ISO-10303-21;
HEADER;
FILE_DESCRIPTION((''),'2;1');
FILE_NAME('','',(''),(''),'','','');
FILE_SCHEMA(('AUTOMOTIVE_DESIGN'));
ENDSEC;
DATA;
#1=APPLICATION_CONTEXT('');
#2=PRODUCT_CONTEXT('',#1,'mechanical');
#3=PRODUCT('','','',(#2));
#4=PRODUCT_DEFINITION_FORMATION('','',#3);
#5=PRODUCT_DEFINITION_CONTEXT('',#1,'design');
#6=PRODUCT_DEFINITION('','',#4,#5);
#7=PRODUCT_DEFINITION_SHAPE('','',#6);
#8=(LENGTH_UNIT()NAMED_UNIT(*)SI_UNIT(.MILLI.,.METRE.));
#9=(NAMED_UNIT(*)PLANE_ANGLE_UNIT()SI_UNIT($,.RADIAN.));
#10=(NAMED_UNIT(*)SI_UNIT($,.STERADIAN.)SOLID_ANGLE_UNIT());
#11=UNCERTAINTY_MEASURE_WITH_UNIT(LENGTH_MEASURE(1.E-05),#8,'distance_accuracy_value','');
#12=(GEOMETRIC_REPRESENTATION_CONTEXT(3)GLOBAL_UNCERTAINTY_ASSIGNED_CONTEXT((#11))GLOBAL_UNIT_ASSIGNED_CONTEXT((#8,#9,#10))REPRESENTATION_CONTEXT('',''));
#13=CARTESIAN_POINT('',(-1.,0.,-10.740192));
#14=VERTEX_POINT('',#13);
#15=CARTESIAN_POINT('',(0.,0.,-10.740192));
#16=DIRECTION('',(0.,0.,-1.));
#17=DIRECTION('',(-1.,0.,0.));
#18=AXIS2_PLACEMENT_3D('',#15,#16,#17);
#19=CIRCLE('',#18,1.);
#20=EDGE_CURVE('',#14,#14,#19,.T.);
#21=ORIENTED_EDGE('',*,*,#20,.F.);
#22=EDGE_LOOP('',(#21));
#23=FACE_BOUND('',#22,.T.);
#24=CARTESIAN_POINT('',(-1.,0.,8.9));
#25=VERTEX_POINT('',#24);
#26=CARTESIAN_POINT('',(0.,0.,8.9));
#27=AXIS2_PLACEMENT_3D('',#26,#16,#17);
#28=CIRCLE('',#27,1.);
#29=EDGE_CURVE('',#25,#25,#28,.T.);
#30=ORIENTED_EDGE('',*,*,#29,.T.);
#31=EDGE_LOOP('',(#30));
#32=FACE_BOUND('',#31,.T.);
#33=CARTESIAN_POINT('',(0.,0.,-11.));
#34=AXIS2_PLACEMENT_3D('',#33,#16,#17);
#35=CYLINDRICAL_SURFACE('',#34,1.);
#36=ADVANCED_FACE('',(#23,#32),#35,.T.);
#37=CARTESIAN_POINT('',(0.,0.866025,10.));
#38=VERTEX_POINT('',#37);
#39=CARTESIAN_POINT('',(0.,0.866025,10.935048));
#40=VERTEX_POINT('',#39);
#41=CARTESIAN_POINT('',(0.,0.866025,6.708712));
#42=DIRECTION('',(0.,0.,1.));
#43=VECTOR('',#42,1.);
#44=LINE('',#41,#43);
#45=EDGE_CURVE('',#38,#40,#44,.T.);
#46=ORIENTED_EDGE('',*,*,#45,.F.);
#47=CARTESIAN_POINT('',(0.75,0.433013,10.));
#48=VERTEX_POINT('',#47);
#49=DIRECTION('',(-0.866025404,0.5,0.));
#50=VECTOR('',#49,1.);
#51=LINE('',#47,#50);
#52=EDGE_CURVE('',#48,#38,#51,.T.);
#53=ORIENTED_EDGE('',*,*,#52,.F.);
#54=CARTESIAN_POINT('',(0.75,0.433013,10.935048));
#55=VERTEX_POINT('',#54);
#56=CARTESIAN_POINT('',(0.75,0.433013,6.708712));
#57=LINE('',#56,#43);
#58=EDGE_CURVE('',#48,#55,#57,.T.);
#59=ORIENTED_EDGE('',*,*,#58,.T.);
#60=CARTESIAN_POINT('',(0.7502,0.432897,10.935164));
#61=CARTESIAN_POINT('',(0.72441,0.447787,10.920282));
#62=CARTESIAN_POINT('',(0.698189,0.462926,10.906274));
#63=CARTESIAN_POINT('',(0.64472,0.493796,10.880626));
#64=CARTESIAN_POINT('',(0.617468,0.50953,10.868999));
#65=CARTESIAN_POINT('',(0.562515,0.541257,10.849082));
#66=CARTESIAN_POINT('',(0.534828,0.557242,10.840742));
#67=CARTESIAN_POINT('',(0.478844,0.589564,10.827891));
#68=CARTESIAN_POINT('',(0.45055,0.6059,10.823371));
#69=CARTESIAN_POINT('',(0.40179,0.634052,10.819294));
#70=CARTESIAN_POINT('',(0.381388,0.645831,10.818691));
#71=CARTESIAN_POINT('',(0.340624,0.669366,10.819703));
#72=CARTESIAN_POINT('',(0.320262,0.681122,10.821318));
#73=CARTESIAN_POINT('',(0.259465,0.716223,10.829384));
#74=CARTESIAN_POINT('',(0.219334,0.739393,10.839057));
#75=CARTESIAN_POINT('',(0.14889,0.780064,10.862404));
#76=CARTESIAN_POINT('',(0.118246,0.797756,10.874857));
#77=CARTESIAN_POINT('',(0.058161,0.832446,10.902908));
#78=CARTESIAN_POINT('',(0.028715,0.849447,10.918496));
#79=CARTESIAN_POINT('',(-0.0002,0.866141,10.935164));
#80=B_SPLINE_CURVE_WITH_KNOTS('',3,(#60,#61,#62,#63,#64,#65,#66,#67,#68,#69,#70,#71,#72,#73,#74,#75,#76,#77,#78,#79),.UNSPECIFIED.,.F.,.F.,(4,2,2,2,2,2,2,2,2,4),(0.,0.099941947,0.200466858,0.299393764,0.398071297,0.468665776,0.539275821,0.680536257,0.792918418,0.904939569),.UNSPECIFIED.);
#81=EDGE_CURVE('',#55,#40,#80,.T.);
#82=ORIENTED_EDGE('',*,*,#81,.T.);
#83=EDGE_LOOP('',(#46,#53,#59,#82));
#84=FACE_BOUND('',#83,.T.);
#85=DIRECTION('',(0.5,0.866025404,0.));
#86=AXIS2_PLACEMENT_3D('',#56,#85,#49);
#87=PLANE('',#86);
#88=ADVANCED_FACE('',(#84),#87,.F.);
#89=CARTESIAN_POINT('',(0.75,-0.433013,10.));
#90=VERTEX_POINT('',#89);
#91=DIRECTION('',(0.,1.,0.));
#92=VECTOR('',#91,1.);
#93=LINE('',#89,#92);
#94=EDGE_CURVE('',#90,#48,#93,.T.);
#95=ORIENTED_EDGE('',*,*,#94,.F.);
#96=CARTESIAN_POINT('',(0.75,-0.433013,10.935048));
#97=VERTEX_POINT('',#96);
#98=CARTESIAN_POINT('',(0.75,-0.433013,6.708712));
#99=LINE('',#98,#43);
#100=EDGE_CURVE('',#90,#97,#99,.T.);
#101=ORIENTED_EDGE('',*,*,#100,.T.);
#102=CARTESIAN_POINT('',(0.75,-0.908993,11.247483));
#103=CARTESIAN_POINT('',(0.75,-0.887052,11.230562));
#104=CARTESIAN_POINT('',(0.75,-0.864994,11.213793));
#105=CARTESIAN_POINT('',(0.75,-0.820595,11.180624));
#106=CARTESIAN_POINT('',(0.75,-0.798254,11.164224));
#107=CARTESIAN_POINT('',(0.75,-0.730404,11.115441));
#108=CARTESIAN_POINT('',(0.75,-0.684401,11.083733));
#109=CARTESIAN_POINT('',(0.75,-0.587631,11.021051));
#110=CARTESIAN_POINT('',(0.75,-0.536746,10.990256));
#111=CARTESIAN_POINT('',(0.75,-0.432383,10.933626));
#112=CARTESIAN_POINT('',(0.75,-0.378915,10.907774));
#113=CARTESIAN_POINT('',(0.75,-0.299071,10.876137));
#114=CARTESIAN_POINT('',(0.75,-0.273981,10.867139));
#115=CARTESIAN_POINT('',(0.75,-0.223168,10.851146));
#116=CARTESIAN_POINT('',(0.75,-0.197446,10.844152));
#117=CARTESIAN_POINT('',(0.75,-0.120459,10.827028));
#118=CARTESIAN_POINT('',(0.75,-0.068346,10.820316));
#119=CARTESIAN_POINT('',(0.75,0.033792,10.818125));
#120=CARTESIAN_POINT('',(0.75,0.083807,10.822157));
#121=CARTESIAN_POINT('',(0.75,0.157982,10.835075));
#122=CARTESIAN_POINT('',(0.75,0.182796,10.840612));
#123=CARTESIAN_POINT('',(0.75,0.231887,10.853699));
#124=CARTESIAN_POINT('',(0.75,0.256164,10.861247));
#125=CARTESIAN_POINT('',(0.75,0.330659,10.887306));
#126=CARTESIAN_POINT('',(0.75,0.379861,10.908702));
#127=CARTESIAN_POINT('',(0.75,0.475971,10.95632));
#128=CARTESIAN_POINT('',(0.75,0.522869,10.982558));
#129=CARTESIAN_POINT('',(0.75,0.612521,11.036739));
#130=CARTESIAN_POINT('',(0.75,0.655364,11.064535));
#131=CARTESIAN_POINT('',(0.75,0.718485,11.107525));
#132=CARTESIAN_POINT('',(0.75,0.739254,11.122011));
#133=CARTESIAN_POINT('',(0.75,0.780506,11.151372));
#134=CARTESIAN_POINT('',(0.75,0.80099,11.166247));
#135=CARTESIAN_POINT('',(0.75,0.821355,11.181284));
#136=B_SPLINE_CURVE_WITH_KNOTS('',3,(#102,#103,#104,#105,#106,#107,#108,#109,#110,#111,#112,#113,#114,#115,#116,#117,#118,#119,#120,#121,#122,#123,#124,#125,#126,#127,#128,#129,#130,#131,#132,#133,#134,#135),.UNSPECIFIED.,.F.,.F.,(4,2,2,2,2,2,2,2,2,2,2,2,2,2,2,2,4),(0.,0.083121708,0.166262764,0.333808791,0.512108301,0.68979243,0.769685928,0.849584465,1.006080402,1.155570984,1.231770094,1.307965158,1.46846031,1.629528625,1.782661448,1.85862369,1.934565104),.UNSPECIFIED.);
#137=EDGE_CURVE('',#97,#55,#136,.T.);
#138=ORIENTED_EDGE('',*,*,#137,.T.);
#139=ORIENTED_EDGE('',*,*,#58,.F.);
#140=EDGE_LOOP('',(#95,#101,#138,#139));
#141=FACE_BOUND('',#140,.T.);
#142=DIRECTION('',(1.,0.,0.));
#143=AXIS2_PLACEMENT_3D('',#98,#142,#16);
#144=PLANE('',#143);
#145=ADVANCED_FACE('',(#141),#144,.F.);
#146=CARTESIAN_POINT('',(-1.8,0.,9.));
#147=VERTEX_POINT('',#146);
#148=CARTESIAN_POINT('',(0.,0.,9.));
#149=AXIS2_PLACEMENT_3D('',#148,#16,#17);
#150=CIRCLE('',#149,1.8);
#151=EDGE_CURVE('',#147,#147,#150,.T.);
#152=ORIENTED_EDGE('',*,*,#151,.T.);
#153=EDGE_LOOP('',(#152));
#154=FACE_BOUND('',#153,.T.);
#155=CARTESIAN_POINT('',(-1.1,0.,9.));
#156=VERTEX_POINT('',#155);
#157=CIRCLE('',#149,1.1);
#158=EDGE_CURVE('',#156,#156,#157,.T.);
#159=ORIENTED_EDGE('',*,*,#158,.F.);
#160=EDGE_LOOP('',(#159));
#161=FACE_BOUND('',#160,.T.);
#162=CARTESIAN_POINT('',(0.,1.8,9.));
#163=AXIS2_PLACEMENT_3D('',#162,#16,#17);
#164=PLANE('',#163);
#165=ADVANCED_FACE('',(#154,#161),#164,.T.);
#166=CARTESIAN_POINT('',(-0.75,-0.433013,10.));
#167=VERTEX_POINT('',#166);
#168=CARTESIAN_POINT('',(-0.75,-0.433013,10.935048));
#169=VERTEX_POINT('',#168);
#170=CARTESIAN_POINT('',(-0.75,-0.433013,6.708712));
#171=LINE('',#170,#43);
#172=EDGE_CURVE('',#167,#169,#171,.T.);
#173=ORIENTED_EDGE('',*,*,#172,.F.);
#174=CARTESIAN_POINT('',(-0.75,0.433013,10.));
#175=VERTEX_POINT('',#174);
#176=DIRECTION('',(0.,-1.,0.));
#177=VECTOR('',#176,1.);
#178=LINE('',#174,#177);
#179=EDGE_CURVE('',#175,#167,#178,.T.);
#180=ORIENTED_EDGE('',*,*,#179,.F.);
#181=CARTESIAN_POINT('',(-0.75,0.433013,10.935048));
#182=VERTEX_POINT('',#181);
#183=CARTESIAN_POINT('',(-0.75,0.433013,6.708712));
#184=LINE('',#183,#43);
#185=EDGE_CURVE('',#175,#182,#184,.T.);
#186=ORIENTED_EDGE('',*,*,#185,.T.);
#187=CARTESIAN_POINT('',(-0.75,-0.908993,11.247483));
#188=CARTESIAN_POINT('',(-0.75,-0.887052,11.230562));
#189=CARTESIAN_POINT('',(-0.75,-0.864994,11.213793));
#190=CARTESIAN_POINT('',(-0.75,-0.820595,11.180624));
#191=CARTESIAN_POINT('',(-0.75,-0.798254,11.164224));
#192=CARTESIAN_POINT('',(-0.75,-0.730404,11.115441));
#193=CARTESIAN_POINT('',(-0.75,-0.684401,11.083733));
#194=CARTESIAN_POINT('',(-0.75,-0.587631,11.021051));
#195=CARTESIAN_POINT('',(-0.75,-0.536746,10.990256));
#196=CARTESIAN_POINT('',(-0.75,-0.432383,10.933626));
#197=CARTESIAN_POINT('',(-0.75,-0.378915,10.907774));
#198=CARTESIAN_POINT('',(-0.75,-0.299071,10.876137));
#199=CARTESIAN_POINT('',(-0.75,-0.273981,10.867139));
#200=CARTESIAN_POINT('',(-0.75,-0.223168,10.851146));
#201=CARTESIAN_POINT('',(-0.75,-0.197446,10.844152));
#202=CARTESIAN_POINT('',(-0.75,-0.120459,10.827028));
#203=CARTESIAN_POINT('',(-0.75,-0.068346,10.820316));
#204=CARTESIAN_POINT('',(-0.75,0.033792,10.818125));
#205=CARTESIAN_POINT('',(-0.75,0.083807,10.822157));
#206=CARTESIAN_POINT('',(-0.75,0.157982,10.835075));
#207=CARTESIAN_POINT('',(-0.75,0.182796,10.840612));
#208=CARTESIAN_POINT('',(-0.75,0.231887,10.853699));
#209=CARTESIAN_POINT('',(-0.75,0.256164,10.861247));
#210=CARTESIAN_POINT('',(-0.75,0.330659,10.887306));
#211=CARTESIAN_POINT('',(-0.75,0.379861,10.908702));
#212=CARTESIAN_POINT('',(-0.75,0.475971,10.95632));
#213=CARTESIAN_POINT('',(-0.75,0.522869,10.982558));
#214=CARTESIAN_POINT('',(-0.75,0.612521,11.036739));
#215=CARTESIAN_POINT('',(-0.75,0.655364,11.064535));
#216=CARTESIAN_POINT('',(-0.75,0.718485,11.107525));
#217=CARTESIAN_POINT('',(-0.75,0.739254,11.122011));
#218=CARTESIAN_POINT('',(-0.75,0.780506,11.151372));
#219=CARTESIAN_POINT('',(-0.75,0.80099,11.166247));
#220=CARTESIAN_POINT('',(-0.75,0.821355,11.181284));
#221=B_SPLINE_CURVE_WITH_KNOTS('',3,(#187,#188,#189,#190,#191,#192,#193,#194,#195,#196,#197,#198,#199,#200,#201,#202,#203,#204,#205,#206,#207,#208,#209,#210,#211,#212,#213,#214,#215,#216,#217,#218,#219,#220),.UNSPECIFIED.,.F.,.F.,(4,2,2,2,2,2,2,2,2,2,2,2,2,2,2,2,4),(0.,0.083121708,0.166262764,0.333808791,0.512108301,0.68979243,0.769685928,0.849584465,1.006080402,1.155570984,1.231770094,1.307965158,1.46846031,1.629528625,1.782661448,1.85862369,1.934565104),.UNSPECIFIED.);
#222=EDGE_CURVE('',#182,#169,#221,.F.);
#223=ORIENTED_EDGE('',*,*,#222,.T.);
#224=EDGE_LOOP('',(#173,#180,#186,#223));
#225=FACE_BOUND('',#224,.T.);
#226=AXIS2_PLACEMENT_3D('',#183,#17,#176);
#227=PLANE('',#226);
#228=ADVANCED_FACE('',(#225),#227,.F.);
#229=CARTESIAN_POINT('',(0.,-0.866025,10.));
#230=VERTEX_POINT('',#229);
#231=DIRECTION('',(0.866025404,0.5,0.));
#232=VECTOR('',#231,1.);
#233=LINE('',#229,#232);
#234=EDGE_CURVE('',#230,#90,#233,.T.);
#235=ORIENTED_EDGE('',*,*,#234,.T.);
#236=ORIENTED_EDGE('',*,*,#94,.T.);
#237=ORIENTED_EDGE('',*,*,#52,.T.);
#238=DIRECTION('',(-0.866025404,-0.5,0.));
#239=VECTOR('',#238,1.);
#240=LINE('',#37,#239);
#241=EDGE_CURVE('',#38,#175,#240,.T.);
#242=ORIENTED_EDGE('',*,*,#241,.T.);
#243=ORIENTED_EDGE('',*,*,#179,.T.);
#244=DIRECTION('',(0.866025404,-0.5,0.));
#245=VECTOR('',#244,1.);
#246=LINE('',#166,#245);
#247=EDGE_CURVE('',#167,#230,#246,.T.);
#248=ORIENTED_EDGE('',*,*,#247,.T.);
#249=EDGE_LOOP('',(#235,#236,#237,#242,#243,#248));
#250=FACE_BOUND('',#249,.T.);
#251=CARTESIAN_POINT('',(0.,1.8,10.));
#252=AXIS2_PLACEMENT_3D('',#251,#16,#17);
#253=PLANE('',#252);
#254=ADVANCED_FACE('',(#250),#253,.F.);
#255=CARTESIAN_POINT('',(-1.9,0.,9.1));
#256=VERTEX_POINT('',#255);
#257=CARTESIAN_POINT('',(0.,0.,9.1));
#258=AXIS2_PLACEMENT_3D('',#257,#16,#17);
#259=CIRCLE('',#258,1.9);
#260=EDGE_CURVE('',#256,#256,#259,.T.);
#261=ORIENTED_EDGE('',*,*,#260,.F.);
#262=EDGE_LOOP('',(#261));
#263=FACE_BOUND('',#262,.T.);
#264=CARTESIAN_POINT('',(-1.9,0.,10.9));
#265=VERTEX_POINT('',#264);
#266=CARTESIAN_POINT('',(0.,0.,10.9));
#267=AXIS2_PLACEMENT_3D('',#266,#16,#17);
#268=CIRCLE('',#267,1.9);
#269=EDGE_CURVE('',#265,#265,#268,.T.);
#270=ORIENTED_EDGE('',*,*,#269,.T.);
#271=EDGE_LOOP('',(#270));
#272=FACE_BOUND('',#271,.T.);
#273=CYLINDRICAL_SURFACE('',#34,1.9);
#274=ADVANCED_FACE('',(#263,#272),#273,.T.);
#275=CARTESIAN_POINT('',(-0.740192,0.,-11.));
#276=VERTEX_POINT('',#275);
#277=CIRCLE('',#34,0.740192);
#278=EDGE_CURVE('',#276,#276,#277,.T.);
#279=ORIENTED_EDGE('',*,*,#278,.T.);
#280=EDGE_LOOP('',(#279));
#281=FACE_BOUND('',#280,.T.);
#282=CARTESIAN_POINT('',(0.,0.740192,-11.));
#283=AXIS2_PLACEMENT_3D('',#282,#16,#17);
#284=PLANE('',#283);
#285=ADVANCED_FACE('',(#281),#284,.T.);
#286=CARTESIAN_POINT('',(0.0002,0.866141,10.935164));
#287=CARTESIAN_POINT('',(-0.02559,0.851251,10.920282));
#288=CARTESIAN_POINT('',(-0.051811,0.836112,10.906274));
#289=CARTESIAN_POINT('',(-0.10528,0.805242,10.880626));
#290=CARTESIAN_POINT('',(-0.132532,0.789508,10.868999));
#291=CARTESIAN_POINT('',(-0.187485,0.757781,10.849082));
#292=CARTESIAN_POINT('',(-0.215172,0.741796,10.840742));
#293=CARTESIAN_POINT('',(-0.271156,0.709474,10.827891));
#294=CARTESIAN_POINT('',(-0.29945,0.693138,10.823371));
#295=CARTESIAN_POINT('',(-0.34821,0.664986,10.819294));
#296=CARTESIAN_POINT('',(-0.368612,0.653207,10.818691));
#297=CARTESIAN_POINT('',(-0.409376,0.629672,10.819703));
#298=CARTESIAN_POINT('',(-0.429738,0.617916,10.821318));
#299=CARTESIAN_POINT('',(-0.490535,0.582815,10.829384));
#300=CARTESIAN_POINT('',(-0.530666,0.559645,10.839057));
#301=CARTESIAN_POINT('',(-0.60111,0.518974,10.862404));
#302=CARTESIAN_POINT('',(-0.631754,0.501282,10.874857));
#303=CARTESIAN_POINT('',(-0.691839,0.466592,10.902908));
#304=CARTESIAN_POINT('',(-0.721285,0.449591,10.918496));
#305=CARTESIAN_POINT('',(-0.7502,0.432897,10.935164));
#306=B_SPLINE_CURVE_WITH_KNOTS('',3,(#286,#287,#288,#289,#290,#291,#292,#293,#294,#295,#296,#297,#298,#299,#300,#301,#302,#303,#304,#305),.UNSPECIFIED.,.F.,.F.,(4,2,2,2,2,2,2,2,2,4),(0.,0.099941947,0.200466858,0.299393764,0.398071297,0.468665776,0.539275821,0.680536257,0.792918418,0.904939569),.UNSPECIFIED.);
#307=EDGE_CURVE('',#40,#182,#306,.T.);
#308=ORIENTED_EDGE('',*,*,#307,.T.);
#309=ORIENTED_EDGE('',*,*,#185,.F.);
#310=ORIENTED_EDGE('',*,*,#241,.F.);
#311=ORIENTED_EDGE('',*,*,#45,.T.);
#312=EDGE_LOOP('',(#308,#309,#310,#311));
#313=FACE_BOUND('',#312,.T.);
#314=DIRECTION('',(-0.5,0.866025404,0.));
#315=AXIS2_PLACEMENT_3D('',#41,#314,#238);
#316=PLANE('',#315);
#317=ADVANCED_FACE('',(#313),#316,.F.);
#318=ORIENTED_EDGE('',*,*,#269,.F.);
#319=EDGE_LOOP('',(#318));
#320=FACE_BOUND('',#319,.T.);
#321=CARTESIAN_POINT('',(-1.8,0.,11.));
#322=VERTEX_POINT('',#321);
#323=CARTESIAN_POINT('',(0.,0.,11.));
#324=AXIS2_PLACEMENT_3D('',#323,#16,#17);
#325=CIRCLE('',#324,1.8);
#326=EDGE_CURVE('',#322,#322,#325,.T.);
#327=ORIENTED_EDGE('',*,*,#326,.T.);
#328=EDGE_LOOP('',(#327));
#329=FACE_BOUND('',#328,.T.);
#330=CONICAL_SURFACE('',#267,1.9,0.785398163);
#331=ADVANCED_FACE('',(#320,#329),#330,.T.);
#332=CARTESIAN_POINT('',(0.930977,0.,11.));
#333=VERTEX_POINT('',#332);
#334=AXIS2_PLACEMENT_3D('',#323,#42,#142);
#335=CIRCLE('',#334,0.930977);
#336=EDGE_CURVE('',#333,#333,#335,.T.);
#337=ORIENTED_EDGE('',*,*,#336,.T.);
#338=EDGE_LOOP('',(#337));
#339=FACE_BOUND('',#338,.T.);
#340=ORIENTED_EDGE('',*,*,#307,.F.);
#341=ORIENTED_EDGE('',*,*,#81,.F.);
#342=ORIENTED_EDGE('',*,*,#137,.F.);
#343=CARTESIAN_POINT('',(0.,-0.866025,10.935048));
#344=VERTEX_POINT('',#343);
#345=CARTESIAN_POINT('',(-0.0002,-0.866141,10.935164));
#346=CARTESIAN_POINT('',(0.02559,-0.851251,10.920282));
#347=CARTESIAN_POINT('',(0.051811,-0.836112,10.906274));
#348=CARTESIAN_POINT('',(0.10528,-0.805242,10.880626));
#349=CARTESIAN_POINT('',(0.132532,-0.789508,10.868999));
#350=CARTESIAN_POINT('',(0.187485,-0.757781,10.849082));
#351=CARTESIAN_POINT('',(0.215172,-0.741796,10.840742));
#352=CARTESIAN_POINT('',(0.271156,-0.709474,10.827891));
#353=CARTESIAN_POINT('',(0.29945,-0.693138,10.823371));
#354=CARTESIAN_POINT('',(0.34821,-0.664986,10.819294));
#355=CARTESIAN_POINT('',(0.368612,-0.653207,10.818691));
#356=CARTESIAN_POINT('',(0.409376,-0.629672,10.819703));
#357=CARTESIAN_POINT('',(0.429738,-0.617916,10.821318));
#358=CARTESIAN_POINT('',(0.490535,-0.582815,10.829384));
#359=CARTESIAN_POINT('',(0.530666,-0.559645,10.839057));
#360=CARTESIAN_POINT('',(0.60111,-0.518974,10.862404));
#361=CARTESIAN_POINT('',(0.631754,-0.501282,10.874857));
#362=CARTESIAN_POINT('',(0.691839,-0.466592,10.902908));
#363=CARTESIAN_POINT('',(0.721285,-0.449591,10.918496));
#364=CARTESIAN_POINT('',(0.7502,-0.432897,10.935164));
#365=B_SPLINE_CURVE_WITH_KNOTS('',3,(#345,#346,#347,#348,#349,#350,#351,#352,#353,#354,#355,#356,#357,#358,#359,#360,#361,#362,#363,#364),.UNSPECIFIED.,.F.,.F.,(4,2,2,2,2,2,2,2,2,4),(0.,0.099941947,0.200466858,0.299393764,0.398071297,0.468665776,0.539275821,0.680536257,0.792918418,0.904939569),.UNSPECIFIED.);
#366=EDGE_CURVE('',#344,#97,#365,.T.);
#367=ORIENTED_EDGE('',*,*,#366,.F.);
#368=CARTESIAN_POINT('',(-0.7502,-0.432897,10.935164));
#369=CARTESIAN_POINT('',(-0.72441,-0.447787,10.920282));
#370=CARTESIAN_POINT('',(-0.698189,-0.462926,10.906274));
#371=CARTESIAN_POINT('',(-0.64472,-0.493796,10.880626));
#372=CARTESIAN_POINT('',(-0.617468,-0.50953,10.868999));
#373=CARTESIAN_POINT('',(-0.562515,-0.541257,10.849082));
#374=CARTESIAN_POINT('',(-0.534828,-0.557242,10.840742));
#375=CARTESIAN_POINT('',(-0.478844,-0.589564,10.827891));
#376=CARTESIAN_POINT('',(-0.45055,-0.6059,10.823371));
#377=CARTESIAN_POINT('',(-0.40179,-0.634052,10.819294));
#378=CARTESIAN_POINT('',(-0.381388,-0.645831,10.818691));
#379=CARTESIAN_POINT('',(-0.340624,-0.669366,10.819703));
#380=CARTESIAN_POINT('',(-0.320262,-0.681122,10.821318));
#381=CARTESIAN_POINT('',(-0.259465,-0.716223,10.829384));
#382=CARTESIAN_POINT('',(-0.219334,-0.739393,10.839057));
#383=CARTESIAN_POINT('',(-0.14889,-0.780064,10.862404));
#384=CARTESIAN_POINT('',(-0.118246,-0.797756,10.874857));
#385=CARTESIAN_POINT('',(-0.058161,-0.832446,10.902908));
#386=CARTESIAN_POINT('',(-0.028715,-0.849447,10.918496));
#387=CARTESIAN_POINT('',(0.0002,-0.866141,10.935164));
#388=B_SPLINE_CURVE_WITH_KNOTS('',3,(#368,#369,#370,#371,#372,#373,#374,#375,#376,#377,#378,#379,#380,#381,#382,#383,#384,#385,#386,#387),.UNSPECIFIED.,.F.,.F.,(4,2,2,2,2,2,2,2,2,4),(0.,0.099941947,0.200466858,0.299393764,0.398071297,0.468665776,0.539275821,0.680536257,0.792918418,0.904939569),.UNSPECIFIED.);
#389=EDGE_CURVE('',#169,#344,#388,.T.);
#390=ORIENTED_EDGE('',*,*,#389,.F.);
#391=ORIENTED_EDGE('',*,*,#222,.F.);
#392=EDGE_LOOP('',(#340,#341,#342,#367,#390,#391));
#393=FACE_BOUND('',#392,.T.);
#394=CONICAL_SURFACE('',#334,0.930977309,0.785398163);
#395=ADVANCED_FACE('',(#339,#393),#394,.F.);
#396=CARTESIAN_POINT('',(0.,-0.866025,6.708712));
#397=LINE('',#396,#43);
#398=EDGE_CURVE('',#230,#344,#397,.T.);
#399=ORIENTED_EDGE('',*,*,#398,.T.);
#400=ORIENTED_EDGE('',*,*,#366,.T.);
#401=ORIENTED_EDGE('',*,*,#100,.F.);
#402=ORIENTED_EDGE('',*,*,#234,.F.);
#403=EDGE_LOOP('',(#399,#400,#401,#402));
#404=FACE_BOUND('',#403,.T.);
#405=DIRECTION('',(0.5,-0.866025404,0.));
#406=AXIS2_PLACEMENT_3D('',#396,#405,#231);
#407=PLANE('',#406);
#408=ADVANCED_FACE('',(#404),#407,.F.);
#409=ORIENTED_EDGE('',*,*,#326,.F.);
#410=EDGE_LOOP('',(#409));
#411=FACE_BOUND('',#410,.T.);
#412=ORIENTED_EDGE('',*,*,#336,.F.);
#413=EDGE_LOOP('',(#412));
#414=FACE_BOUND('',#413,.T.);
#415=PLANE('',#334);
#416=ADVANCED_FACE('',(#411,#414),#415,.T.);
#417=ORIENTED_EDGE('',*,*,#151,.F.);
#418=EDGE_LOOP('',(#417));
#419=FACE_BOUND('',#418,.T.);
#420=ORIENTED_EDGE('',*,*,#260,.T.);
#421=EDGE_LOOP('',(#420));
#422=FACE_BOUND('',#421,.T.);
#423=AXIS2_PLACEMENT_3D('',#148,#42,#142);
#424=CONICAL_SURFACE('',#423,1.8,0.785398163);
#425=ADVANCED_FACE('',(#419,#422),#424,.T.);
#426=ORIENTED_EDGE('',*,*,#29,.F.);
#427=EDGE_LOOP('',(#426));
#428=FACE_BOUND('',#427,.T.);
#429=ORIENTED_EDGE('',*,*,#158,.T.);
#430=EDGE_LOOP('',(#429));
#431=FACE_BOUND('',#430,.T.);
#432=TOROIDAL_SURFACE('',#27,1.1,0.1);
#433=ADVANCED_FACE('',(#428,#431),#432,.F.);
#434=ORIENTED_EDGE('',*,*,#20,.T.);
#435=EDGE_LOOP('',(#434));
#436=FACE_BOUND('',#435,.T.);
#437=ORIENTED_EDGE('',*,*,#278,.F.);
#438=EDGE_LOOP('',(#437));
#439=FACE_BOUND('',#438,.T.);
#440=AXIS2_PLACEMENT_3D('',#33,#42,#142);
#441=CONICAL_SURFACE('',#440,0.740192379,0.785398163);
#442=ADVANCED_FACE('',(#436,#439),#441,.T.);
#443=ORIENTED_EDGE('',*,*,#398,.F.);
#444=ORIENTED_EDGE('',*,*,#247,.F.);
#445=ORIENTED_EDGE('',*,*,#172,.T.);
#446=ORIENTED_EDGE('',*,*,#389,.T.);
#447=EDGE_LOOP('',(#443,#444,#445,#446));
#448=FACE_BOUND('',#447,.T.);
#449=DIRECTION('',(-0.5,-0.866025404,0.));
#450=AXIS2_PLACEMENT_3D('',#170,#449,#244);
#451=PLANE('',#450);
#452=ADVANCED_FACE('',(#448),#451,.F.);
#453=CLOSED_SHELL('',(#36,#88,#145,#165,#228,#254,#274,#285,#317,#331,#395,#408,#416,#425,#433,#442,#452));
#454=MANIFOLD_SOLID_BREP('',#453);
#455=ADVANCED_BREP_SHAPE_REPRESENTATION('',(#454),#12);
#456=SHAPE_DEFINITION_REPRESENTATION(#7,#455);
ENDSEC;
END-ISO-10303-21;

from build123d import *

# Parameters (mm, degrees)
CUT_EXTRUDE1_DEPTH = 1
SKETCH4_R          = 0.930977309
CUT_EXTRUDE2_DEPTH = 1
CUT_EXTRUDE2_DRAFT = -45


with BuildPart() as part:
    # Sketch2 → Revolve1 (revolve)
    with BuildSketch(Plane(origin=(0, 0, 0), x_dir=(0, 0, -1), z_dir=(1, 0, 0))):
        with BuildLine():
            Line((-11, 0), (-11, 1.8))
            Line((-11, 1.8), (-10.9, 1.9))
            Line((-10.9, 1.9), (-9.1, 1.9))
            Line((-9.1, 1.9), (-9, 1.8))
            Line((-9, 1.8), (-9, 1.1))
            ThreePointArc((-9, 1.1), (-8.970710678, 1.029289322), (-8.9, 1))
            Line((-8.9, 1), (10.740192379, 1))
            Line((10.740192379, 1), (11, 0.740192379))
            Line((11, 0.740192379), (11, 0))
            Line((11, 0), (-11, 0))
        make_face()
    revolve(axis=Axis((0, 0, -11), (0, 0, 1)))

    # Sketch3 → Cut-Extrude1 (cut)
    with BuildSketch(Plane.XY.offset(11)):
        Polygon((0.75, -0.433012702), (0.75, 0.433012702), (0, 0.866025404), (-0.75, 0.433012702), (-0.75, -0.433012702), (0, -0.866025404), align=None)
    extrude(amount=-CUT_EXTRUDE1_DEPTH, mode=Mode.SUBTRACT)


with BuildPart() as cut_extrude2_tool:
    # Sketch4 → Cut-Extrude2 (with draft: the straight prism first)
    with BuildSketch(Plane.XY.offset(11)):
        Circle(SKETCH4_R)
    extrude(amount=-CUT_EXTRUDE2_DEPTH)
    # Cut-Extrude2: the draft: its side faces are tilted about the plane it starts from
    cut_extrude2_sides = [cut_extrude2_tool.faces().sort_by_distance(p)[0] for p in [
        (-0.930977309, 0, 10.5),
    ]]
    draft(cut_extrude2_sides, Plane.XY.offset(11), CUT_EXTRUDE2_DRAFT)


with BuildPart() as part_1:
    add(part.part)

    # Cut-Extrude2: cut by cut_extrude2_tool
    add(cut_extrude2_tool.part, mode=Mode.SUBTRACT)


solid = part_1.part
